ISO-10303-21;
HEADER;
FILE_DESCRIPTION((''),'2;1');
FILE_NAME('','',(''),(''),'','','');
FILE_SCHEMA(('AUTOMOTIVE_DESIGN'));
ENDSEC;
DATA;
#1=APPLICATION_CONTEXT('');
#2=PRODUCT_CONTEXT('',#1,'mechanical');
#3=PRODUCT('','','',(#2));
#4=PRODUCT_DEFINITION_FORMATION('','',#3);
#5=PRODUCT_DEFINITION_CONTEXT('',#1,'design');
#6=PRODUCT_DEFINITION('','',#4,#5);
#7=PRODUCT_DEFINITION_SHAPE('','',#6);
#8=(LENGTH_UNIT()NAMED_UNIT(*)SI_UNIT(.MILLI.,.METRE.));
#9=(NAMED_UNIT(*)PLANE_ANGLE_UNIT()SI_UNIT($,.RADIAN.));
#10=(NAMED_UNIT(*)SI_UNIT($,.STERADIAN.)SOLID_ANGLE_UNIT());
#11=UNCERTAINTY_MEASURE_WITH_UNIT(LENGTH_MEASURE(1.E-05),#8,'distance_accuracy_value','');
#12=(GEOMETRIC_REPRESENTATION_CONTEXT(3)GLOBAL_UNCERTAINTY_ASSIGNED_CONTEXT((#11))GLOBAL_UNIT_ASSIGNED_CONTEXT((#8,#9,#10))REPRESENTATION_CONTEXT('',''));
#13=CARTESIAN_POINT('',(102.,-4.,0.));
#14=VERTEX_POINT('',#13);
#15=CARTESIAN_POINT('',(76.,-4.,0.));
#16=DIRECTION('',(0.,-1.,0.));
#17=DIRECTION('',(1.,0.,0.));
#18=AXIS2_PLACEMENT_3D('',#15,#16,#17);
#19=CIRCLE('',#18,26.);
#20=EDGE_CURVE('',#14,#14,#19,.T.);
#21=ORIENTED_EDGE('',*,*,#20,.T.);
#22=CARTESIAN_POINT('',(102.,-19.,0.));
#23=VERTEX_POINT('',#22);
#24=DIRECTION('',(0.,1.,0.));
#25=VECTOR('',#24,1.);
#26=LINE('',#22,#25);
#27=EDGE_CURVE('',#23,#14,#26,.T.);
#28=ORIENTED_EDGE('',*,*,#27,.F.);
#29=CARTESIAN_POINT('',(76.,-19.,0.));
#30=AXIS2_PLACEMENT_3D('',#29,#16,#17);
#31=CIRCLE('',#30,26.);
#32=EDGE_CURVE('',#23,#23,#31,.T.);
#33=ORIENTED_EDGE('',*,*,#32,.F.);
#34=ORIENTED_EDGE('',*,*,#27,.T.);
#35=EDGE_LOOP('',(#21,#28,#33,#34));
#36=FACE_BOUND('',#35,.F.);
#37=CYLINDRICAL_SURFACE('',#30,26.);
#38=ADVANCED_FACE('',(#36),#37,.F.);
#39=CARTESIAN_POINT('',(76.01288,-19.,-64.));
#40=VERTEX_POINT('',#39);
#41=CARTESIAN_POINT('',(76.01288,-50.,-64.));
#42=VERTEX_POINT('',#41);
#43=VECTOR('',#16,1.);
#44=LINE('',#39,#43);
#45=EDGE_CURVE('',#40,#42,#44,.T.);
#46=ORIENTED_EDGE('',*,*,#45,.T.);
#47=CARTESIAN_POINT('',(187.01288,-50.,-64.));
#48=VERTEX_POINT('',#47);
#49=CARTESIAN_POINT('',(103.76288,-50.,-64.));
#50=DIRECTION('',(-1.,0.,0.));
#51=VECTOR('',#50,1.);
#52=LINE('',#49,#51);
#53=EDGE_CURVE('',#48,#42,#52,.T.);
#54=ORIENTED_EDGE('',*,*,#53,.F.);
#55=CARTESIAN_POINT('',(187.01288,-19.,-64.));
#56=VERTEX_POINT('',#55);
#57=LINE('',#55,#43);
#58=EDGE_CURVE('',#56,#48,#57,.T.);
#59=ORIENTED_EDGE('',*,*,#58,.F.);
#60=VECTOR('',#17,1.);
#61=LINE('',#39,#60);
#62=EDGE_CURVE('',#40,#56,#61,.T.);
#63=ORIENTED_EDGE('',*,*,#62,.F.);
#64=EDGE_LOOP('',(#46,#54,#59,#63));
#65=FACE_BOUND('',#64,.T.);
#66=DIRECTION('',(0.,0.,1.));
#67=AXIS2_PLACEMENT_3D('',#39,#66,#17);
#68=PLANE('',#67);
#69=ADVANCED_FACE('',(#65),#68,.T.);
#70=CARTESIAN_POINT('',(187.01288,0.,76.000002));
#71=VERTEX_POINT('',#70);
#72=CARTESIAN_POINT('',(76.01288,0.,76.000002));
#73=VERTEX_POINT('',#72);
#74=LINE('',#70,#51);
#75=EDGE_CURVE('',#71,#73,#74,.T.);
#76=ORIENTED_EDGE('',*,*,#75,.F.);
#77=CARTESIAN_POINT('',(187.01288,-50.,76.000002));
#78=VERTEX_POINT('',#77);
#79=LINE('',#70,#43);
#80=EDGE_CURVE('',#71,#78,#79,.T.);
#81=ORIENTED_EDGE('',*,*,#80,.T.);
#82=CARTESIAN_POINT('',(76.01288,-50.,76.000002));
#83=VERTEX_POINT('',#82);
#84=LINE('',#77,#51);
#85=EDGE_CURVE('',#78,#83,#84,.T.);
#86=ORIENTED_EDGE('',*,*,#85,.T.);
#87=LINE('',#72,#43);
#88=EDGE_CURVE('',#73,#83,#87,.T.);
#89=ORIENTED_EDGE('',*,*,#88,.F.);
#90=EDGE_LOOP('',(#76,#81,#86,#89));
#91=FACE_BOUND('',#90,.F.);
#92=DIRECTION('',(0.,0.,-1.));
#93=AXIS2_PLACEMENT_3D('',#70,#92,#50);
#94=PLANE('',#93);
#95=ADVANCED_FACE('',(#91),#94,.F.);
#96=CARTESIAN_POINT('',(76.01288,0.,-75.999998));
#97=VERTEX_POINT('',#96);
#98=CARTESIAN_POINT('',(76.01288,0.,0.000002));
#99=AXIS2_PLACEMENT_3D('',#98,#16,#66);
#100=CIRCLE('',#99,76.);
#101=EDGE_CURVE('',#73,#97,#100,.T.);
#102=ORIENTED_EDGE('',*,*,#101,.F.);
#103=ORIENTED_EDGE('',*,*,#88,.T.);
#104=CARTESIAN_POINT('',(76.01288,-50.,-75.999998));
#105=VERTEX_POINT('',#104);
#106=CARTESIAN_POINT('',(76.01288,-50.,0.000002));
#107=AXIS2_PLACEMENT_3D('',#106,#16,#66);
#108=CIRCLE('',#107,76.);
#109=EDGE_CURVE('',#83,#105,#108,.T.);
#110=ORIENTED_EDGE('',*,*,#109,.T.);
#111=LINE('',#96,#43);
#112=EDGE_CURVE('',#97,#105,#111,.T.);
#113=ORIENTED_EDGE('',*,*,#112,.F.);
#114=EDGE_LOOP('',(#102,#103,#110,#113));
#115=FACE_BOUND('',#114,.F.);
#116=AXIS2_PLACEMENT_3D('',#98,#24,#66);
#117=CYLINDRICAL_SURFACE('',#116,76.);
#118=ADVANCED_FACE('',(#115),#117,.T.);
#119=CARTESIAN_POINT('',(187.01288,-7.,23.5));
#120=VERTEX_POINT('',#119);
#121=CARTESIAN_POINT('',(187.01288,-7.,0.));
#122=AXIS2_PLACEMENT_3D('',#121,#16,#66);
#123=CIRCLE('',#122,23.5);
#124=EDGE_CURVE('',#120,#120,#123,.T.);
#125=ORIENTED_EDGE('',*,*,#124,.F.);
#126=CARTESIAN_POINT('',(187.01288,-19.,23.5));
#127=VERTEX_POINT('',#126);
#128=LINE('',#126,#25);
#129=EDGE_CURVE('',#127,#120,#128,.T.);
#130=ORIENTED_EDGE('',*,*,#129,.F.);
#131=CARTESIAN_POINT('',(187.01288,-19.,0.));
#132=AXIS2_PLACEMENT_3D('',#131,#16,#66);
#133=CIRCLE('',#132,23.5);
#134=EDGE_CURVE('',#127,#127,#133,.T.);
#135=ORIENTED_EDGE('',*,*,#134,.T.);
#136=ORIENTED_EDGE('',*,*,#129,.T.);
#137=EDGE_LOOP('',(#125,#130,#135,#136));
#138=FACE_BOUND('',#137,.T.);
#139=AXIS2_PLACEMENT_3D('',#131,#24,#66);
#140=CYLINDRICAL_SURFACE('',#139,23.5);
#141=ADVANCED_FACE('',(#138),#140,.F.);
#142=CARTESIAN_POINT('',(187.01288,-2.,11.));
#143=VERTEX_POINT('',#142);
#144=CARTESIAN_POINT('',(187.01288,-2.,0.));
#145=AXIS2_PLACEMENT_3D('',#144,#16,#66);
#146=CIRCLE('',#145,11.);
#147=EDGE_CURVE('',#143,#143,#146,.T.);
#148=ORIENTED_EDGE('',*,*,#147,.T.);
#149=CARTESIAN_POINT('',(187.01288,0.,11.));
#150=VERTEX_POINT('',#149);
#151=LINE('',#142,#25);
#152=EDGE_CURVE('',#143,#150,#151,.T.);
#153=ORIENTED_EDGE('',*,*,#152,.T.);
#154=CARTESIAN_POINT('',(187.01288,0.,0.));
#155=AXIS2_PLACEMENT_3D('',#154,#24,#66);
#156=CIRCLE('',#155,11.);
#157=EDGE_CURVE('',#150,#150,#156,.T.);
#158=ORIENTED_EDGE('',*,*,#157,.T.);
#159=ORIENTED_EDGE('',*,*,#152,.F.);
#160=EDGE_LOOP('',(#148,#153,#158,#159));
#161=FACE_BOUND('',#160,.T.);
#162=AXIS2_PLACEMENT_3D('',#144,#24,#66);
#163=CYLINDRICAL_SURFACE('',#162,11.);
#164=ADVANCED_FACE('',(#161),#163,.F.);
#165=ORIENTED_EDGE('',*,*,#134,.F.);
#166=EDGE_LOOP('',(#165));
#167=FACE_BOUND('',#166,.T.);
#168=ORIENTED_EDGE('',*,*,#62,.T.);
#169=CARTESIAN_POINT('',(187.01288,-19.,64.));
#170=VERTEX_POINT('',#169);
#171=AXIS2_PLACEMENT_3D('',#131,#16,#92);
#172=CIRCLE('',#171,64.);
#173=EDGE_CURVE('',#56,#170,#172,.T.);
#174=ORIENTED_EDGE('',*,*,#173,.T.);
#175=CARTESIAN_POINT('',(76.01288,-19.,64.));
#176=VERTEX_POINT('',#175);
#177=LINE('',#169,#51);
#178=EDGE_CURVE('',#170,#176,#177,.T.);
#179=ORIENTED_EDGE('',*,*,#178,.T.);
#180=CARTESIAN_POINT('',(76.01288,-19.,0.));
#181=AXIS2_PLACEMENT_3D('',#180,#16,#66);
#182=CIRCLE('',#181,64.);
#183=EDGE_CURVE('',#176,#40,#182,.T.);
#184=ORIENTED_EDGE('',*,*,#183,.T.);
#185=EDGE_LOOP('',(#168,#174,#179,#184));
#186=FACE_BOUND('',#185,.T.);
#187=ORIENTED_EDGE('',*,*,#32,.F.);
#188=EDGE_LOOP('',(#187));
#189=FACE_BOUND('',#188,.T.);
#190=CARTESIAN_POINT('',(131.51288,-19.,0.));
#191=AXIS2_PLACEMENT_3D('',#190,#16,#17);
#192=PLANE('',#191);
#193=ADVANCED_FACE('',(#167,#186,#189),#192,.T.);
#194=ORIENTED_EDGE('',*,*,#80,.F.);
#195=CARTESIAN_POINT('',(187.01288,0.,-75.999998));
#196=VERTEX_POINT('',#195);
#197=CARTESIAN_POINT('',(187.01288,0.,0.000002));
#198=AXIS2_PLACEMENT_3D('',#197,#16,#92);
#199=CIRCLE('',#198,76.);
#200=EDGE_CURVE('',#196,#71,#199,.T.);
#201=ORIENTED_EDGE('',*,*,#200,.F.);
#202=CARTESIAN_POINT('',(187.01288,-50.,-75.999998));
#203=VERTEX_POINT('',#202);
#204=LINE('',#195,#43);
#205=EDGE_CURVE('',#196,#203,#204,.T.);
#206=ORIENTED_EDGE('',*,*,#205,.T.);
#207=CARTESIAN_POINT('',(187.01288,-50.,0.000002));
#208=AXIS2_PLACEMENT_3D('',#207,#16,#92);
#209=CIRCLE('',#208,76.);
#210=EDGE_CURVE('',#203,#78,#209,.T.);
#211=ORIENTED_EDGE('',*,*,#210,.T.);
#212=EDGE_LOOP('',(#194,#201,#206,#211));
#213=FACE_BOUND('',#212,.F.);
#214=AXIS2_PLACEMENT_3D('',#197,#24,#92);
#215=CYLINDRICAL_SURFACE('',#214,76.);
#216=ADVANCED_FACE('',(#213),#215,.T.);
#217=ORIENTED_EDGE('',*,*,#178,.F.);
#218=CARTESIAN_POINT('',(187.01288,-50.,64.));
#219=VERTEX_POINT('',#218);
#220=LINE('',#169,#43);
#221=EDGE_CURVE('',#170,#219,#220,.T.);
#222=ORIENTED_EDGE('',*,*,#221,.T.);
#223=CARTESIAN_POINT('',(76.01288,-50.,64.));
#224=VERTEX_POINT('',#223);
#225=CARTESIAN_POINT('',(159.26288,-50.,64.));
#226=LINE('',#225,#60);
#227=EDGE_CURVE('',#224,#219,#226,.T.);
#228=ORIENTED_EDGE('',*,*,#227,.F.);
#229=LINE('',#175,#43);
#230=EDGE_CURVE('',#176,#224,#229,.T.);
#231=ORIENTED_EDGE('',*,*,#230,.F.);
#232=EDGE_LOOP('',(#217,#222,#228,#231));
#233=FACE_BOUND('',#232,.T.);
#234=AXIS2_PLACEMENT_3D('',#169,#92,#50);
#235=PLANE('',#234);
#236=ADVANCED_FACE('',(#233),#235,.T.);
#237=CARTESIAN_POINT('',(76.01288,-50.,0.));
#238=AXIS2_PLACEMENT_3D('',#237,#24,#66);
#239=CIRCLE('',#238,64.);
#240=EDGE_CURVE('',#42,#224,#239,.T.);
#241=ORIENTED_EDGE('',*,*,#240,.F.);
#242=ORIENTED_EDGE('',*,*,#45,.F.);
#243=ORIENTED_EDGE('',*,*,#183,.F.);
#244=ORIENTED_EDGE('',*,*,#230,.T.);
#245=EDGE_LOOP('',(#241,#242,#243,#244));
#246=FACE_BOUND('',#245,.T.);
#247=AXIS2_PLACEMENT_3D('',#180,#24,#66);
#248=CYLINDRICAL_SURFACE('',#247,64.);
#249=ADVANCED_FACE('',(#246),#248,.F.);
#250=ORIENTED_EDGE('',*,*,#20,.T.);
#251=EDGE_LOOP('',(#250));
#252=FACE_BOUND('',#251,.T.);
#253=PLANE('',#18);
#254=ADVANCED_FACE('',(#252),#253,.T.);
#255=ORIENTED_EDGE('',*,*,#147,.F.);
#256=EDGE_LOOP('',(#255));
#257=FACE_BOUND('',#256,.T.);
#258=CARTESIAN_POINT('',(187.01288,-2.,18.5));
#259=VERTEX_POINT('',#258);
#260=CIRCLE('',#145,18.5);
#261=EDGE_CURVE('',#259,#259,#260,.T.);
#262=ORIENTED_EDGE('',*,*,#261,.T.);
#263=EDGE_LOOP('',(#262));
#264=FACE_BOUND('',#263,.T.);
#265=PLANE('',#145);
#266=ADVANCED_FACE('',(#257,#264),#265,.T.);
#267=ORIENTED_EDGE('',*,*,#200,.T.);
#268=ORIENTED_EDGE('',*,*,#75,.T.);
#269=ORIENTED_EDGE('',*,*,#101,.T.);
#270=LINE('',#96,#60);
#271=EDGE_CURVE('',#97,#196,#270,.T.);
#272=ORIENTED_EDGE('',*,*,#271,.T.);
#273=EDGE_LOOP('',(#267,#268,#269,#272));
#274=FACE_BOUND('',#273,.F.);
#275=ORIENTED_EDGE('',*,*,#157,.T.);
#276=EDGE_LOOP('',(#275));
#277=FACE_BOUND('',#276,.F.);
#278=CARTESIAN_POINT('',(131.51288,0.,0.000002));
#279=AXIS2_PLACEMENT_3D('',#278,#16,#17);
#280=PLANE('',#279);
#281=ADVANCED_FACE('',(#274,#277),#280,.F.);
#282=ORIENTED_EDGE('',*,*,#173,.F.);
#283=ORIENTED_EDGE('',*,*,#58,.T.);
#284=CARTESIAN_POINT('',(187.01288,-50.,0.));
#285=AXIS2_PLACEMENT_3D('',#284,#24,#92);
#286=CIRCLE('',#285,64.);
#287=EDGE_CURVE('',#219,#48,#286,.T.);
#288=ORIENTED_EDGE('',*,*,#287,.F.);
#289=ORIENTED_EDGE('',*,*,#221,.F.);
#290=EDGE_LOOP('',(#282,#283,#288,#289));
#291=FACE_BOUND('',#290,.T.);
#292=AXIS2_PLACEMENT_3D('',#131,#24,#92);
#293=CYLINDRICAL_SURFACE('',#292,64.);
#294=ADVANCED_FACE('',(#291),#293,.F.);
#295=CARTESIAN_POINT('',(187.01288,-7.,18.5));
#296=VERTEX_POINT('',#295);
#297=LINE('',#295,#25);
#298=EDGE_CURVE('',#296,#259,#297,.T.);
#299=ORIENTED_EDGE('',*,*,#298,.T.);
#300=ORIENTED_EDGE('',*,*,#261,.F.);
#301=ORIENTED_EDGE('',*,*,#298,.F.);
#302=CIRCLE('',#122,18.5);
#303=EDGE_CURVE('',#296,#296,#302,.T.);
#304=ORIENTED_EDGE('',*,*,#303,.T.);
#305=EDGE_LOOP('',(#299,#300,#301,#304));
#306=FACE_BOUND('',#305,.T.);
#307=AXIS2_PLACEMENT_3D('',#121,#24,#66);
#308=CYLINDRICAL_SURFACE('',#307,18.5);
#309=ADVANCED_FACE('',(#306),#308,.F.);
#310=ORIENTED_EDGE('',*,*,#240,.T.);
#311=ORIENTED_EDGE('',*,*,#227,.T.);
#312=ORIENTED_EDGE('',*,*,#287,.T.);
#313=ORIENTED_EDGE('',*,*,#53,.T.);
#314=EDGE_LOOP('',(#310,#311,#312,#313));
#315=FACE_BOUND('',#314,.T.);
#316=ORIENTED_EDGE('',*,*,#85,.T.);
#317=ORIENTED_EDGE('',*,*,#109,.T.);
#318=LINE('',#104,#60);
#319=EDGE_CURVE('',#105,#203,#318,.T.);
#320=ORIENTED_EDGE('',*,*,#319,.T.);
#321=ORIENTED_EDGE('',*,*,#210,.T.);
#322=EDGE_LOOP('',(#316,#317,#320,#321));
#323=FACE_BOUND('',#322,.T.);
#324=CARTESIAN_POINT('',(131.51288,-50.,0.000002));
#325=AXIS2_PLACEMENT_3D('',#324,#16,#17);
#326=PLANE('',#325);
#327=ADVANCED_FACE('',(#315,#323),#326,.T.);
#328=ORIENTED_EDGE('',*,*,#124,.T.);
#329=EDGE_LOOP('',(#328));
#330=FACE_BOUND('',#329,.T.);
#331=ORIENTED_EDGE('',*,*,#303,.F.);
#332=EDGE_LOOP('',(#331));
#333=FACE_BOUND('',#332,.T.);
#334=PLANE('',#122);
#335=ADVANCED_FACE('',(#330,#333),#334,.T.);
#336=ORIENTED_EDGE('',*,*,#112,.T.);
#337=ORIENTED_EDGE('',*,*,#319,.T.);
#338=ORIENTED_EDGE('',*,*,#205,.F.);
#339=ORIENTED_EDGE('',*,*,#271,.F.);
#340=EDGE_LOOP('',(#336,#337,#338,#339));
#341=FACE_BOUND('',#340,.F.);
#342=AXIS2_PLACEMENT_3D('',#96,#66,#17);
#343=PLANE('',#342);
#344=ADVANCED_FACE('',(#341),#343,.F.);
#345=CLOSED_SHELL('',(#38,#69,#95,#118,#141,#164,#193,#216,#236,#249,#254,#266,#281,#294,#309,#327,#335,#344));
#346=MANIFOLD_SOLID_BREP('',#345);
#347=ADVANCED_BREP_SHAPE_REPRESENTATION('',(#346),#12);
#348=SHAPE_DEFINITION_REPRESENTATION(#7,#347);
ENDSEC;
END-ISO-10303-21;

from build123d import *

# Parameters (mm, degrees)
F1_DEPTH = 50
F4_DEPTH = 200
F5_R     = 26
F6_DEPTH = 15


with BuildPart() as f1:
    # F0 (on Front) → F1 (new body)
    with BuildSketch(Plane.XZ):
        with BuildLine():
            Line((187.01288, 76.000002), (76.01288, 76.000002))
            ThreePointArc((76.01288, 76.000002), (0.01288, 2e-06), (76.01288, -75.999998))
            Line((76.01288, -75.999998), (187.01288, -75.999998))
            ThreePointArc((187.01288, -75.999998), (263.01288, 2e-06), (187.01288, 76.000002))
        make_face()
        with BuildLine():
            ThreePointArc((76.01288, -63.999998), (12.01288, 2e-06), (76.01288, 64.000002))
            Line((76.01288, 64.000002), (187.01288, 64.000002))
            ThreePointArc((187.01288, 64.000002), (251.01288, 2e-06), (187.01288, -63.999998))
            Line((187.01288, -63.999998), (76.01288, -63.999998))
        make_face(mode=Mode.SUBTRACT)
        with BuildLine():
            Line((187.01288, 64.000002), (76.01288, 64.000002))
            ThreePointArc((76.01288, 64.000002), (12.01288, 2e-06), (76.01288, -63.999998))
            Line((76.01288, -63.999998), (187.01288, -63.999998))
            ThreePointArc((187.01288, -63.999998), (251.01288, 2e-06), (187.01288, 64.000002))
        make_face()
    extrude(amount=F1_DEPTH)

    # F3 (on offset) → F4 (cut)
    with BuildSketch(Plane.XZ.offset(19)):
        with BuildLine():
            Line((187.01288, 64), (76.01288, 64))
            ThreePointArc((76.01288, 64), (12.01288, 0), (76.01288, -64))
            Line((76.01288, -64), (187.01288, -64))
            ThreePointArc((187.01288, -64), (251.01288, 0), (187.01288, 64))
        make_face()
    extrude(amount=F4_DEPTH, mode=Mode.SUBTRACT)

    # F5 (on face) → F6 (cut)
    with BuildSketch(Plane.XZ.offset(19)):
        with Locations((76, 0)):
            Circle(F5_R)
    extrude(amount=-F6_DEPTH, mode=Mode.SUBTRACT)

    # F9 (on face) → F10 (revolve, cut)
    with BuildSketch(Plane(origin=(187.01288, 0, 0), x_dir=(0, -1, 0), z_dir=(-1, 0, 0))):
        Polygon((2, 11), (-8.944635, 11), (-8.944635, 0), (19, 0), (19, 23.5), (7, 23.5), (7, 18.5), (2, 18.5), align=None)
    revolve(axis=Axis((187.01288, -5.027682, 0), (0, -1, 0)), mode=Mode.SUBTRACT)


solid = f1.part
